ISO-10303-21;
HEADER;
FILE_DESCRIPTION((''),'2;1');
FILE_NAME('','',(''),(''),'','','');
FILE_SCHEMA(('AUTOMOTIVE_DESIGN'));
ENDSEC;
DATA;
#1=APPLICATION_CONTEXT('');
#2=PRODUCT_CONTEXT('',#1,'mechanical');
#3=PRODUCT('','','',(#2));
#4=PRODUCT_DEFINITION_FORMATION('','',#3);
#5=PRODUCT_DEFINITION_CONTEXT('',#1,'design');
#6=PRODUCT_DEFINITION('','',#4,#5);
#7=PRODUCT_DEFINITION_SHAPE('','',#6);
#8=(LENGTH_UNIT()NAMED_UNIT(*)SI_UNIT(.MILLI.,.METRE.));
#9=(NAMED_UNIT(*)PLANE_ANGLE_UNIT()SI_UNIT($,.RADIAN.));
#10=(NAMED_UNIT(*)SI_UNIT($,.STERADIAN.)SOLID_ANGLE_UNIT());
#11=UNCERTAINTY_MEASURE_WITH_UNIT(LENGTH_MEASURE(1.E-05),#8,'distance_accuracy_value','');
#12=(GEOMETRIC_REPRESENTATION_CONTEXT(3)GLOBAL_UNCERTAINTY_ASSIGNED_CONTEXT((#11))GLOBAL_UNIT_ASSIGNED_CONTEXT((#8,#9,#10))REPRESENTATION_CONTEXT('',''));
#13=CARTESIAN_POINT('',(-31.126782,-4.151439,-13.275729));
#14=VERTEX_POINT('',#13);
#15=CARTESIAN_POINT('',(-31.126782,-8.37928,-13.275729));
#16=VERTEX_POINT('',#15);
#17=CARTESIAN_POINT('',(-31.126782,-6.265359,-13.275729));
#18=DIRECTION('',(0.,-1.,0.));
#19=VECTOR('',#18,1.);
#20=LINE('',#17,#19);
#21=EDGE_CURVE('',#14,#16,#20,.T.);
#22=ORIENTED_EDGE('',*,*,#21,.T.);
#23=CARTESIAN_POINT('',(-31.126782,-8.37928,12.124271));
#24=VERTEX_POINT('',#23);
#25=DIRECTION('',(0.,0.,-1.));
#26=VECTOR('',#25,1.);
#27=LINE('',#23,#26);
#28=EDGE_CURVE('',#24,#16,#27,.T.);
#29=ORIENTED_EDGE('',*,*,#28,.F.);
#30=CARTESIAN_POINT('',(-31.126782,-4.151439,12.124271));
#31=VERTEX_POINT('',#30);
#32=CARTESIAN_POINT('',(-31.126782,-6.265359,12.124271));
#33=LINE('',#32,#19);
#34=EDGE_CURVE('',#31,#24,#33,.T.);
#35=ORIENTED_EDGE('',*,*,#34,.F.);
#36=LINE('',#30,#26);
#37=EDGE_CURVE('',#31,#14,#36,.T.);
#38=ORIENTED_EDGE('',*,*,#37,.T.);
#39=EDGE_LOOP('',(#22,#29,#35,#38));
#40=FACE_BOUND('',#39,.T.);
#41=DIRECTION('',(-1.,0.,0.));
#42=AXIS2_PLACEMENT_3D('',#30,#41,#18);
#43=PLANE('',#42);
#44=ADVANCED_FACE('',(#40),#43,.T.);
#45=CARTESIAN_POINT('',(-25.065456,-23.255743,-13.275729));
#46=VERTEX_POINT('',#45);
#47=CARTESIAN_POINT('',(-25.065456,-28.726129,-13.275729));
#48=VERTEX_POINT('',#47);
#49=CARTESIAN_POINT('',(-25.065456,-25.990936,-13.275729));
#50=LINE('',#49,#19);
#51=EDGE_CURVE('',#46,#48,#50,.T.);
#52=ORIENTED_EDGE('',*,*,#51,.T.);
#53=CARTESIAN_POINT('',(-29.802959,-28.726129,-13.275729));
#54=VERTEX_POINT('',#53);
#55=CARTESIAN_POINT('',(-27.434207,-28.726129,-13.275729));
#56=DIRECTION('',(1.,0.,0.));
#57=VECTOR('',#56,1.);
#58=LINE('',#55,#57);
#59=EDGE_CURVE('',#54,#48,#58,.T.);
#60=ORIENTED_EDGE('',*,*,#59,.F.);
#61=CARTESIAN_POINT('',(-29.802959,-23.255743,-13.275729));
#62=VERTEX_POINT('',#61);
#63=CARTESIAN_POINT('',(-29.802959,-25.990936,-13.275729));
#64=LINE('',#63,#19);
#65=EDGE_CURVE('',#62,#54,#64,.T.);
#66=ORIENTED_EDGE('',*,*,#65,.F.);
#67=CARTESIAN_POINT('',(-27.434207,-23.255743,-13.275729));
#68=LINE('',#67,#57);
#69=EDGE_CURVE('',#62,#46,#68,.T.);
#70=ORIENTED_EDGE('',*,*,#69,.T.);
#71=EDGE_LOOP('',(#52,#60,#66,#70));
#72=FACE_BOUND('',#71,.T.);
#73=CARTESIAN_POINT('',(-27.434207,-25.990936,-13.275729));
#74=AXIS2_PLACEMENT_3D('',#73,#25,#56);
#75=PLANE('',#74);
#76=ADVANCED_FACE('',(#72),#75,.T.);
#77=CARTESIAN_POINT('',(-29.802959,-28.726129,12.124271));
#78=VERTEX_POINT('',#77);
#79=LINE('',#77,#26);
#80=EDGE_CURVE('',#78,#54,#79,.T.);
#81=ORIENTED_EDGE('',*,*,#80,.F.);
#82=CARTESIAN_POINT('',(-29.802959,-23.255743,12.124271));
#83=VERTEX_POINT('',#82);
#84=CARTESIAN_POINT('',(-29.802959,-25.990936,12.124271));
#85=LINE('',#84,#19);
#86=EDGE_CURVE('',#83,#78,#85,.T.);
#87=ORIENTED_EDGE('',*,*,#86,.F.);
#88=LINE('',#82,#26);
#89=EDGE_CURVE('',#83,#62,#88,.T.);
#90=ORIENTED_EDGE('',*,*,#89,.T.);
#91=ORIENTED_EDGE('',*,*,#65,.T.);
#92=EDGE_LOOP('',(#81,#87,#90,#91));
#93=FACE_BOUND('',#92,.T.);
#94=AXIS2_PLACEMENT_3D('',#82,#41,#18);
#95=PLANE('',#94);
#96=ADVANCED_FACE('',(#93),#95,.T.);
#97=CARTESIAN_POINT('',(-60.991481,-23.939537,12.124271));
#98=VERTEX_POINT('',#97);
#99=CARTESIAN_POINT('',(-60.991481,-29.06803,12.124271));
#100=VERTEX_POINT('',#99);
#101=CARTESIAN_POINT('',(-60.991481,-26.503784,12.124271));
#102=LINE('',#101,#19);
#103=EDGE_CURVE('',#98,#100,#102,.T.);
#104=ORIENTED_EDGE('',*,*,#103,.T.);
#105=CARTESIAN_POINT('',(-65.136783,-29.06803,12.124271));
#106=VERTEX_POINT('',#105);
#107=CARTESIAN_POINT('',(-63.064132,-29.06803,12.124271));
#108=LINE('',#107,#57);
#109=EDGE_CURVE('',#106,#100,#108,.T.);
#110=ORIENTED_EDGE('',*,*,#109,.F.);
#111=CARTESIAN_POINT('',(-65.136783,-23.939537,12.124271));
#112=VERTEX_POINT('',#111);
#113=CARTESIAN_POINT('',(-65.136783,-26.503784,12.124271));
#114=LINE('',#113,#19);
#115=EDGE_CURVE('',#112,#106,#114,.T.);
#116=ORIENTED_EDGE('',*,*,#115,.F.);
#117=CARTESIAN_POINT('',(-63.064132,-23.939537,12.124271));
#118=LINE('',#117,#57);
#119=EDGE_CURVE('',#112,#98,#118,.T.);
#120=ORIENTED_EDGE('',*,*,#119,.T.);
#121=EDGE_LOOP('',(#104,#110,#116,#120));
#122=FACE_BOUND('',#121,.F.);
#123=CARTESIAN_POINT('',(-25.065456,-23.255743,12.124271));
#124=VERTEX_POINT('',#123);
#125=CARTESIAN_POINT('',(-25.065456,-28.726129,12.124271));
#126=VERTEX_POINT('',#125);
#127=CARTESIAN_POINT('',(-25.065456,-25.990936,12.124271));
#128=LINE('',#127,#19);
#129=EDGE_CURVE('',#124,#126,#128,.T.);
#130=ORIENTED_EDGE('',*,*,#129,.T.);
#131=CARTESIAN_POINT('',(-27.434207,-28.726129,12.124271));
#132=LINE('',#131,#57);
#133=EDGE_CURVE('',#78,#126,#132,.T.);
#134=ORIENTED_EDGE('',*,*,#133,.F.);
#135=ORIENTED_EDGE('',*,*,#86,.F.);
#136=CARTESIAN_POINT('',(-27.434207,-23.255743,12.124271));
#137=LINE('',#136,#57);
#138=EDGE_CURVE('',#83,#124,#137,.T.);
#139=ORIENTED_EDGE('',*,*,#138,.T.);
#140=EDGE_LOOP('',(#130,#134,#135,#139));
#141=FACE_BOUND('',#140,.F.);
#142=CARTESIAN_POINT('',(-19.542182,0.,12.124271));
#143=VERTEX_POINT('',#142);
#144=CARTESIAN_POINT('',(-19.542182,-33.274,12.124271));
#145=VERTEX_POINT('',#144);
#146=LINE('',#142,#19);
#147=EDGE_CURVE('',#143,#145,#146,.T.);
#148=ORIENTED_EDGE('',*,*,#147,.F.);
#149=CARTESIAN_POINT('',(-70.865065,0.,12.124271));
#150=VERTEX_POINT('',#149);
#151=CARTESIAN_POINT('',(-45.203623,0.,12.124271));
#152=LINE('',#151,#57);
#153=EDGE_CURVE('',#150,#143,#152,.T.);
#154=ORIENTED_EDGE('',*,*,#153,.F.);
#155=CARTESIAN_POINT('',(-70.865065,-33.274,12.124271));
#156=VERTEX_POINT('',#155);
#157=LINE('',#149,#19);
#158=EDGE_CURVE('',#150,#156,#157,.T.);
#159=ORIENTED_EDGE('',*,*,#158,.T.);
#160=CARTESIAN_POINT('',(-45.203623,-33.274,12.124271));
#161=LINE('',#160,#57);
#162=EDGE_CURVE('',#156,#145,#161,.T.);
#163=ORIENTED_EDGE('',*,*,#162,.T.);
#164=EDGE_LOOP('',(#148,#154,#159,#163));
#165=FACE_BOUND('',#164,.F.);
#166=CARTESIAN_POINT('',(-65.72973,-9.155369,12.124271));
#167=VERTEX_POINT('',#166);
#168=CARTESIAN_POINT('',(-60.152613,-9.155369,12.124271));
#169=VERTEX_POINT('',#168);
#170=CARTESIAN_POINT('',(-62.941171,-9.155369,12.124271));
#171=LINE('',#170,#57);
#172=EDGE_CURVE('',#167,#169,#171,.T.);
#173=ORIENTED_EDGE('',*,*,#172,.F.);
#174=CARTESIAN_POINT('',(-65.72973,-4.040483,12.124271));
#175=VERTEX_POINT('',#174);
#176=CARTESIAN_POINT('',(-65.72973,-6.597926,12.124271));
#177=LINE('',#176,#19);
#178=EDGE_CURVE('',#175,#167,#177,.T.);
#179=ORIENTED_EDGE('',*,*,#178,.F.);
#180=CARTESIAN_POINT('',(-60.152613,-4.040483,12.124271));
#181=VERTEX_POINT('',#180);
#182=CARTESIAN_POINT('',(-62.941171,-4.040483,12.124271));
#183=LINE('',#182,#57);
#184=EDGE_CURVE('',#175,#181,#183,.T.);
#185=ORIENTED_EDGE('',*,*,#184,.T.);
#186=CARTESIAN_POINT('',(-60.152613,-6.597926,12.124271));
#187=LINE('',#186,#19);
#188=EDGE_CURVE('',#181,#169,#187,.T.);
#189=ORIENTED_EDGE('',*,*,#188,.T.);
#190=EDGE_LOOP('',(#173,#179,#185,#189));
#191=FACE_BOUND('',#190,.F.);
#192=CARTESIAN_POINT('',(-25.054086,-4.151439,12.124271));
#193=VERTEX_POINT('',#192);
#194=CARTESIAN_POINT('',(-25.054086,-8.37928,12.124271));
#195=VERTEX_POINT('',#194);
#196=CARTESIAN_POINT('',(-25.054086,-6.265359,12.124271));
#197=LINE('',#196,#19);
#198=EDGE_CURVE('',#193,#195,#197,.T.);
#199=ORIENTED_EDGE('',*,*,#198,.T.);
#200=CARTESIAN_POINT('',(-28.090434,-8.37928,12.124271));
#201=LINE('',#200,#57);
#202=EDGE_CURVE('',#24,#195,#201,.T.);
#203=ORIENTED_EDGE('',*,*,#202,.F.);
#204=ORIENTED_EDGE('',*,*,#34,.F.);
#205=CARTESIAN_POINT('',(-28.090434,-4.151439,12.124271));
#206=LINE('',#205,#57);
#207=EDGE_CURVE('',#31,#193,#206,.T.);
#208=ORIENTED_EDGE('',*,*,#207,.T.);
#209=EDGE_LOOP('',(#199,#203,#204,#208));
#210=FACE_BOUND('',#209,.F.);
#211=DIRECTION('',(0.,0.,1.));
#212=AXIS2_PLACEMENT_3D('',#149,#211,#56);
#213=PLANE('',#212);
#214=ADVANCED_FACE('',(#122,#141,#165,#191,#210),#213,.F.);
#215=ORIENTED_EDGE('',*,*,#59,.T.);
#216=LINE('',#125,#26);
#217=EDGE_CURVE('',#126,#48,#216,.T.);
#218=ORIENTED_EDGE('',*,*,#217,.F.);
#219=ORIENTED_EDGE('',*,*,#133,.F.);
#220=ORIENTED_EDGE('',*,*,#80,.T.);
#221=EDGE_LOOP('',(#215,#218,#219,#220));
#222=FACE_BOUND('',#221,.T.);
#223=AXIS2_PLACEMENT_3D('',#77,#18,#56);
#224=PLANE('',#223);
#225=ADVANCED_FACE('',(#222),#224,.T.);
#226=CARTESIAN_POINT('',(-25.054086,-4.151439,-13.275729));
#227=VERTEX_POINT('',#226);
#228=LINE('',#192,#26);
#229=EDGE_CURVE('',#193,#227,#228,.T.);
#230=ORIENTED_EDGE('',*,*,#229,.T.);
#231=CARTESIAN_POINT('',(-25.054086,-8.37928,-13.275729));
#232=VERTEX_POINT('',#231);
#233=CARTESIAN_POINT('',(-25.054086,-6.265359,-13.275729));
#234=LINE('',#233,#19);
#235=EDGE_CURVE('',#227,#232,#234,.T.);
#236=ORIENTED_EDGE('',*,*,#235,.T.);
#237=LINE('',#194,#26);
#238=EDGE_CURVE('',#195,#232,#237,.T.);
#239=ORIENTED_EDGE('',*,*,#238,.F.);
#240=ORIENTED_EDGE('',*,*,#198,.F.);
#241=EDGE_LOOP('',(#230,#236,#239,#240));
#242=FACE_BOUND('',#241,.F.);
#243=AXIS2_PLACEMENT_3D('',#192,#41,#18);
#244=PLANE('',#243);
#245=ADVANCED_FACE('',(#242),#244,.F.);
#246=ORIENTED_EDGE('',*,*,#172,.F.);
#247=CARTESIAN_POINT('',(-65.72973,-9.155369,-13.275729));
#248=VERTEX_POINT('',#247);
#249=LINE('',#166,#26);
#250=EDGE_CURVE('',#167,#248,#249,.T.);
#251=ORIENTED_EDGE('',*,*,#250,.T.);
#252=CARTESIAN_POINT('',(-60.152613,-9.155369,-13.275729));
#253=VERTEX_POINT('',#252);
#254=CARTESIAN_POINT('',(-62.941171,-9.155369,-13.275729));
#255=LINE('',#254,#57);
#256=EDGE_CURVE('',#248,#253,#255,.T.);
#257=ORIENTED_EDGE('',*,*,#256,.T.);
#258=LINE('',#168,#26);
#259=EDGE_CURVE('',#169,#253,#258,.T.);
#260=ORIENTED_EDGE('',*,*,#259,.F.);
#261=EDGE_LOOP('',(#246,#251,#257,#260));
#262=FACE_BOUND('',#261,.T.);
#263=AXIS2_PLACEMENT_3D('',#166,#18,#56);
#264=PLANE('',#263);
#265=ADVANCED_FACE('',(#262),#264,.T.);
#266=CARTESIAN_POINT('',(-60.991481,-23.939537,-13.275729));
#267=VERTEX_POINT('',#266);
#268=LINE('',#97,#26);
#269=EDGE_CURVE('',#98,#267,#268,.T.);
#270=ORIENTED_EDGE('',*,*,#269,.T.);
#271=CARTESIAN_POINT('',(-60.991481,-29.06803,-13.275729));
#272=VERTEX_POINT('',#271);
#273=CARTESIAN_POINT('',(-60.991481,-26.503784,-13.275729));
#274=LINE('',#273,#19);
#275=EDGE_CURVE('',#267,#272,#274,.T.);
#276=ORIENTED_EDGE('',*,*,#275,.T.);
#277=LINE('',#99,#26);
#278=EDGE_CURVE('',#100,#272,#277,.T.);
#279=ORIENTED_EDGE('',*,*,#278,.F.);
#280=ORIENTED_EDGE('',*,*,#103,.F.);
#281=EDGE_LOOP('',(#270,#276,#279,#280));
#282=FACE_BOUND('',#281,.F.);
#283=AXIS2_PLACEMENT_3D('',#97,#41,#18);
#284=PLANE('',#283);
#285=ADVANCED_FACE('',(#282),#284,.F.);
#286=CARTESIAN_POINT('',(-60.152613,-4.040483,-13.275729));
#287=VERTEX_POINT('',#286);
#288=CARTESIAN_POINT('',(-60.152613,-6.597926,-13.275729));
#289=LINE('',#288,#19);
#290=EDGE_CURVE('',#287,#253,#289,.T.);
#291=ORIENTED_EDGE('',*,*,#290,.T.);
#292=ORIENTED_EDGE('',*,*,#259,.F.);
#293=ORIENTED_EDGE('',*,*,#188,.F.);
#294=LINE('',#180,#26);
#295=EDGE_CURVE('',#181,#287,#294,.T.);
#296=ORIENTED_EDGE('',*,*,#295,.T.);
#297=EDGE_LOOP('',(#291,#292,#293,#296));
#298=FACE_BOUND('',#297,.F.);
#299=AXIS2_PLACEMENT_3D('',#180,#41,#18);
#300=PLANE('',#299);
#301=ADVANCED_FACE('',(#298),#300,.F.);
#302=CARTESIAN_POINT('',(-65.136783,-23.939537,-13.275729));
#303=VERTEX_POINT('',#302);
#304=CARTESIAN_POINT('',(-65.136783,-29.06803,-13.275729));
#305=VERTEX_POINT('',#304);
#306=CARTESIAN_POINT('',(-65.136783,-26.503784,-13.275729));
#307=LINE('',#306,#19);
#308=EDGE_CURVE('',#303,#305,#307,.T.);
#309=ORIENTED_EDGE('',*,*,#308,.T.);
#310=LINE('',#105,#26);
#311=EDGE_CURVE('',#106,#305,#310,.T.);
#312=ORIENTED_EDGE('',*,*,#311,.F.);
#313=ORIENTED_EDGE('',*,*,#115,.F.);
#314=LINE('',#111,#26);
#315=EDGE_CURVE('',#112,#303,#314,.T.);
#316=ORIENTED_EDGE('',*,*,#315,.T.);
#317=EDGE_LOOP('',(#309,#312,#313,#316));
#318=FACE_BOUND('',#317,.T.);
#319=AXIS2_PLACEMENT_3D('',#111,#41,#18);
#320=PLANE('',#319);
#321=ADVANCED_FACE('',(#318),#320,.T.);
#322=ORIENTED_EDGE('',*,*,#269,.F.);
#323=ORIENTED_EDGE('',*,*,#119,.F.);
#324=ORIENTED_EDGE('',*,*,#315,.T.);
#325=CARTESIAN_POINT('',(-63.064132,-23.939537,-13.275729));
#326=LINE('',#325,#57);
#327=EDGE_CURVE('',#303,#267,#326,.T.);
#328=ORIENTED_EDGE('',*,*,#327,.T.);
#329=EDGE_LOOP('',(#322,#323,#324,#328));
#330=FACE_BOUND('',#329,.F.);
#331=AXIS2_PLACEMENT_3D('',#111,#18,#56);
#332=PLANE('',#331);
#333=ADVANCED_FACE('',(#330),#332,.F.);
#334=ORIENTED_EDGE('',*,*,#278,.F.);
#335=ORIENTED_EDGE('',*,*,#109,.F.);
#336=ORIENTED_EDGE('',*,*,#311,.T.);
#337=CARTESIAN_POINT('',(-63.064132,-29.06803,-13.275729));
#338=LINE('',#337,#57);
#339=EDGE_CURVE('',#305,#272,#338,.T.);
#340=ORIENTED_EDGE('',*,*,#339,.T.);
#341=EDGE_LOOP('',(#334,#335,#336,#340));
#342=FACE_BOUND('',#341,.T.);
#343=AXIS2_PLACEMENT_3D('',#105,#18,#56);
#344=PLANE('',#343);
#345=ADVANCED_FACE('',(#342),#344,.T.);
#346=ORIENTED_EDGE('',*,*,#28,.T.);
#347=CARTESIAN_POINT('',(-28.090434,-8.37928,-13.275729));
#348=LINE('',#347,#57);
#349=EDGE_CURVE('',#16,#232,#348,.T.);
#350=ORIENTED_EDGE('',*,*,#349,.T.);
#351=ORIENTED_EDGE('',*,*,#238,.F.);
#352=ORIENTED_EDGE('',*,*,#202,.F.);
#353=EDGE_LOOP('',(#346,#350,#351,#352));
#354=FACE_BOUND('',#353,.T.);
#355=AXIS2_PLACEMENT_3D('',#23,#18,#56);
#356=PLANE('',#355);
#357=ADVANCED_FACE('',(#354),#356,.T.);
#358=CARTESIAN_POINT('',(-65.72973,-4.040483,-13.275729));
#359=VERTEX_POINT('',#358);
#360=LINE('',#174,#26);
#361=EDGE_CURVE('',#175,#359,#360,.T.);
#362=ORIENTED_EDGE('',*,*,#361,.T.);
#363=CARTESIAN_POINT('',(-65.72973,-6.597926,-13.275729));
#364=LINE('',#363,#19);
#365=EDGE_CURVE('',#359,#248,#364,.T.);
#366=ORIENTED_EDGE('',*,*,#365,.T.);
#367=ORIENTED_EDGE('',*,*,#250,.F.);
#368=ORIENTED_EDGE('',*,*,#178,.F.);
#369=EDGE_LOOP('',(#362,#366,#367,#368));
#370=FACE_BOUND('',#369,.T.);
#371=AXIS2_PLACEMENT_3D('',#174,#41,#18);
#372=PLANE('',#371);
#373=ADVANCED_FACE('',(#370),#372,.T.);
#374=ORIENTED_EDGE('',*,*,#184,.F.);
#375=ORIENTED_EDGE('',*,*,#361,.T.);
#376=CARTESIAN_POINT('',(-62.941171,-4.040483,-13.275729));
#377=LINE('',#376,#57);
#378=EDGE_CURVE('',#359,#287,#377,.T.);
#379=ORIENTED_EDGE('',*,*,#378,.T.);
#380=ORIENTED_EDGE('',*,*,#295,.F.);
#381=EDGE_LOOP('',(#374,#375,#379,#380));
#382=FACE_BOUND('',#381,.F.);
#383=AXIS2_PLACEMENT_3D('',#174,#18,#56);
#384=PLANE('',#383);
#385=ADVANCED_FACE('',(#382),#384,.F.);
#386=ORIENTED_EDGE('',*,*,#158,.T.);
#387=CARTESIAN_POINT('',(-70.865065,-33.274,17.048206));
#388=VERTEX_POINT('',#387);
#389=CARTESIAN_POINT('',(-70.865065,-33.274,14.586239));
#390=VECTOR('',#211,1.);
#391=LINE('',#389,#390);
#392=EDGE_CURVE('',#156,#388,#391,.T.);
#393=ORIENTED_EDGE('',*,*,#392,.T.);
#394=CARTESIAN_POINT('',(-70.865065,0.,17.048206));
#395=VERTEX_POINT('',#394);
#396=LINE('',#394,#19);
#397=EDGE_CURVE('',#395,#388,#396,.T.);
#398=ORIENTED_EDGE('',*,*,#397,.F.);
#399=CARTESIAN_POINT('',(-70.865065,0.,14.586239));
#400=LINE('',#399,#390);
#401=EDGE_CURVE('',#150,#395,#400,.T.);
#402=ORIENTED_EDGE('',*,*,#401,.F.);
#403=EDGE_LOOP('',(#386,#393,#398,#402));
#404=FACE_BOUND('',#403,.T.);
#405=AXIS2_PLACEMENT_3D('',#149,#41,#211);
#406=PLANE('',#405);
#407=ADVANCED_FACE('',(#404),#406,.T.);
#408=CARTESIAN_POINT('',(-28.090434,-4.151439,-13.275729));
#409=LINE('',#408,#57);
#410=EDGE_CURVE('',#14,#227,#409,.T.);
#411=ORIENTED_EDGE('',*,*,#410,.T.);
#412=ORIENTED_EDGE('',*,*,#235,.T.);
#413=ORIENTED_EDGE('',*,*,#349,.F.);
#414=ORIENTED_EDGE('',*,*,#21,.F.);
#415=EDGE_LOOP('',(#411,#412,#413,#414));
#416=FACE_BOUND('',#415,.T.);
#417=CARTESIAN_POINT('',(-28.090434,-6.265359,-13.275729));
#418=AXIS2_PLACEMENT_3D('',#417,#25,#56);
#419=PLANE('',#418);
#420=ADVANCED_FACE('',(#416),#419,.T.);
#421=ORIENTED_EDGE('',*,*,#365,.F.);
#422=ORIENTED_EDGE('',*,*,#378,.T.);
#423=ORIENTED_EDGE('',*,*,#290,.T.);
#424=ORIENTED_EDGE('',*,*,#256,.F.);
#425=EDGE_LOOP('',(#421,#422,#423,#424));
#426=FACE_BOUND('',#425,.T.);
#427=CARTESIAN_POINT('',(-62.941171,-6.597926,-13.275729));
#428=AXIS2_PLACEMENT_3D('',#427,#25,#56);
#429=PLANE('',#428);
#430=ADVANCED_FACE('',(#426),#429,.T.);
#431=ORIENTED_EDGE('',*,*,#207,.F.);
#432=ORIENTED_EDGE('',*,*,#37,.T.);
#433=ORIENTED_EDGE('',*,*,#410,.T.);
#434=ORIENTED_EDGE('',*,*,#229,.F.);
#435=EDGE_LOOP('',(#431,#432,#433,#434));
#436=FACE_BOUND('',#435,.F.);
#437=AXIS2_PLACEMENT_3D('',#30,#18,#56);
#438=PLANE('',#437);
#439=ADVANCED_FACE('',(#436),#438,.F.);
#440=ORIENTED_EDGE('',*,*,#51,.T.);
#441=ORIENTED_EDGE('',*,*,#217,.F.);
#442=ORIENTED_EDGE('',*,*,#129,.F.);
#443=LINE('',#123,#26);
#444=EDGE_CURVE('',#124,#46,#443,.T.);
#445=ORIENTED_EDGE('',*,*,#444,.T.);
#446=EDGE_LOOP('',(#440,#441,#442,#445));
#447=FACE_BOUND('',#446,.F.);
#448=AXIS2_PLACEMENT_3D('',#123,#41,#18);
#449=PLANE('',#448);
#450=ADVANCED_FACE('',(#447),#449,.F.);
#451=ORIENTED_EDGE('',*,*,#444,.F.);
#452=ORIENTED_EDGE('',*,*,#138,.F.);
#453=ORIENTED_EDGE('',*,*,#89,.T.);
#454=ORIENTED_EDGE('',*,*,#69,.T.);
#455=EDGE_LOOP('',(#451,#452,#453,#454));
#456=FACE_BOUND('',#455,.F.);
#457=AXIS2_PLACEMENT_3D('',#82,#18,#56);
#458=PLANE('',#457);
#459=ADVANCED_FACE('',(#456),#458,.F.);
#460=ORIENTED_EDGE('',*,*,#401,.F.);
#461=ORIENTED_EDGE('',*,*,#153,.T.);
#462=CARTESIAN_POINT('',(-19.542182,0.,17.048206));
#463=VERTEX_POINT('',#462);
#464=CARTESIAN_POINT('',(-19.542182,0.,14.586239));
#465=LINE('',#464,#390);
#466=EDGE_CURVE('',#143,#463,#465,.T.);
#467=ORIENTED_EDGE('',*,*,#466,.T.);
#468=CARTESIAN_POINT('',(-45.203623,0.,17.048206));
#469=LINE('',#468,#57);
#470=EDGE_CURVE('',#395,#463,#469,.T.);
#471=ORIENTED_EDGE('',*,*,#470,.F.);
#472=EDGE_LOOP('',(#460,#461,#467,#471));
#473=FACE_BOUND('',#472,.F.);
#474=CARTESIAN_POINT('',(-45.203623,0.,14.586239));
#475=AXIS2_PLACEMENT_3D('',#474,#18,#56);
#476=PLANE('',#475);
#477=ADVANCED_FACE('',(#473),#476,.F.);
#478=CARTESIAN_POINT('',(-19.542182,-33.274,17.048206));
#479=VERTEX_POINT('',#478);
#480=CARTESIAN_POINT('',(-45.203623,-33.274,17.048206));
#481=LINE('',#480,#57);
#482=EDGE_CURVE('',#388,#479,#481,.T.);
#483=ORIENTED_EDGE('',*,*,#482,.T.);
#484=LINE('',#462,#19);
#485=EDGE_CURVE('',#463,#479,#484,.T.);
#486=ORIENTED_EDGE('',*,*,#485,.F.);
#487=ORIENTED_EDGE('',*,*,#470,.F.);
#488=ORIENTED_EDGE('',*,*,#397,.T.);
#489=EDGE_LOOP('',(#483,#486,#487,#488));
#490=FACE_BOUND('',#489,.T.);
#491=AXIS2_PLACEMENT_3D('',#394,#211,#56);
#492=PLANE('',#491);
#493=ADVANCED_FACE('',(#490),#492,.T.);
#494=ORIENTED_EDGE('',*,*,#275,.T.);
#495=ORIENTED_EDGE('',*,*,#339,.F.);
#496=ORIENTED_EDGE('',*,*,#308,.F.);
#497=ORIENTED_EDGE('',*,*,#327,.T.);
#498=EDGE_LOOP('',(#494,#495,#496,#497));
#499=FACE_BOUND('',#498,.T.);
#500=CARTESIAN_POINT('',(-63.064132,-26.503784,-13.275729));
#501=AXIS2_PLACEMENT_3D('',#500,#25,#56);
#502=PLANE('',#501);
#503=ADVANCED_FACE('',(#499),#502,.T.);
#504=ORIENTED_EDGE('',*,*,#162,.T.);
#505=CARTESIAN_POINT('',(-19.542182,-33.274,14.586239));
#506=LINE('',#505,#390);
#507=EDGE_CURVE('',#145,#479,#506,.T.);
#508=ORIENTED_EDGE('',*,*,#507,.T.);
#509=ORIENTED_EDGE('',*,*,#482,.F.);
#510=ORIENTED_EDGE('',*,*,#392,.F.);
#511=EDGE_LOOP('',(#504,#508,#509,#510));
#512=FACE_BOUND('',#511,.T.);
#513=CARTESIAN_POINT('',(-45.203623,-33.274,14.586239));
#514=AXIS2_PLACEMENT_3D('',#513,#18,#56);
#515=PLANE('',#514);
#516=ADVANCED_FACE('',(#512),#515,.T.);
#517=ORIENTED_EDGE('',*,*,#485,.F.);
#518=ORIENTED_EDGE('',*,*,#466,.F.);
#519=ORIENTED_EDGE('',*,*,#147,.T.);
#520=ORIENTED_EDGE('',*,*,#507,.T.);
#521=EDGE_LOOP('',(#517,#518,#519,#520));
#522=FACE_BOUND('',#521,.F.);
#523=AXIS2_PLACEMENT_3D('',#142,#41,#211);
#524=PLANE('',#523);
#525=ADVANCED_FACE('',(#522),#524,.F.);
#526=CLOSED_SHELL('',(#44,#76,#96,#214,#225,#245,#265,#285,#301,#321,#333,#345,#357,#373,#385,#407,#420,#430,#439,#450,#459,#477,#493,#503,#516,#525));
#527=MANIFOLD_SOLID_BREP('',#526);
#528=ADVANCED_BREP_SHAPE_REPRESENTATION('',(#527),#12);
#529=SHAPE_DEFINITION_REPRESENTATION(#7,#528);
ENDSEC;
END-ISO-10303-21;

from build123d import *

# Parameters (mm, degrees)
F0_W     = 51.322882995
F0_H     = 4.9239350483
F1_DEPTH = 33.274
F2_W     = 4.1453018785
F2_H     = 5.1284935325
F3_DEPTH = 25.4
F4_W     = 4.7375038266
F4_H     = 5.470385775
F5_DEPTH = 25.4
F6_W     = 5.5771172047
F6_H     = 5.1148859784
F7_DEPTH = 25.4
F8_W     = 6.0726962984
F8_H     = 4.2278408073
F9_DEPTH = 25.4


with BuildPart() as f1:
    # F0 (on Front) → F1 (new body)
    with BuildSketch(Plane.XZ):
        with Locations((-45.2036233619, 14.5862386562)):
            Rectangle(F0_W, F0_H)
    extrude(amount=F1_DEPTH)

    # F2 (on face) → F3 (join)
    with BuildSketch(Plane(origin=(0, 0, 12.1242711321), x_dir=(1, 0, 0), z_dir=(0, 0, -1))):
        with Locations((-63.0641318858, 26.5037836507)):
            Rectangle(F2_W, F2_H)
    extrude(amount=F3_DEPTH)

    # F4 (on face) → F5 (join)
    with BuildSketch(Plane(origin=(0, 0, 12.1242711321), x_dir=(1, 0, 0), z_dir=(0, 0, -1))):
        with Locations((-27.434207499, 25.9909359738)):
            Rectangle(F4_W, F4_H)
    extrude(amount=F5_DEPTH)

    # F6 (on face) → F7 (join)
    with BuildSketch(Plane(origin=(0, 0, 12.1242711321), x_dir=(1, 0, 0), z_dir=(0, 0, -1))):
        with Locations((-62.9411712289, 6.5979263745)):
            Rectangle(F6_W, F6_H)
    extrude(amount=F7_DEPTH)

    # F8 (on face) → F9 (join)
    with BuildSketch(Plane(origin=(0, 0, 12.1242711321), x_dir=(1, 0, 0), z_dir=(0, 0, -1))):
        with Locations((-28.0904341489, 6.2653592322)):
            Rectangle(F8_W, F8_H)
    extrude(amount=F9_DEPTH)


solid = f1.part
